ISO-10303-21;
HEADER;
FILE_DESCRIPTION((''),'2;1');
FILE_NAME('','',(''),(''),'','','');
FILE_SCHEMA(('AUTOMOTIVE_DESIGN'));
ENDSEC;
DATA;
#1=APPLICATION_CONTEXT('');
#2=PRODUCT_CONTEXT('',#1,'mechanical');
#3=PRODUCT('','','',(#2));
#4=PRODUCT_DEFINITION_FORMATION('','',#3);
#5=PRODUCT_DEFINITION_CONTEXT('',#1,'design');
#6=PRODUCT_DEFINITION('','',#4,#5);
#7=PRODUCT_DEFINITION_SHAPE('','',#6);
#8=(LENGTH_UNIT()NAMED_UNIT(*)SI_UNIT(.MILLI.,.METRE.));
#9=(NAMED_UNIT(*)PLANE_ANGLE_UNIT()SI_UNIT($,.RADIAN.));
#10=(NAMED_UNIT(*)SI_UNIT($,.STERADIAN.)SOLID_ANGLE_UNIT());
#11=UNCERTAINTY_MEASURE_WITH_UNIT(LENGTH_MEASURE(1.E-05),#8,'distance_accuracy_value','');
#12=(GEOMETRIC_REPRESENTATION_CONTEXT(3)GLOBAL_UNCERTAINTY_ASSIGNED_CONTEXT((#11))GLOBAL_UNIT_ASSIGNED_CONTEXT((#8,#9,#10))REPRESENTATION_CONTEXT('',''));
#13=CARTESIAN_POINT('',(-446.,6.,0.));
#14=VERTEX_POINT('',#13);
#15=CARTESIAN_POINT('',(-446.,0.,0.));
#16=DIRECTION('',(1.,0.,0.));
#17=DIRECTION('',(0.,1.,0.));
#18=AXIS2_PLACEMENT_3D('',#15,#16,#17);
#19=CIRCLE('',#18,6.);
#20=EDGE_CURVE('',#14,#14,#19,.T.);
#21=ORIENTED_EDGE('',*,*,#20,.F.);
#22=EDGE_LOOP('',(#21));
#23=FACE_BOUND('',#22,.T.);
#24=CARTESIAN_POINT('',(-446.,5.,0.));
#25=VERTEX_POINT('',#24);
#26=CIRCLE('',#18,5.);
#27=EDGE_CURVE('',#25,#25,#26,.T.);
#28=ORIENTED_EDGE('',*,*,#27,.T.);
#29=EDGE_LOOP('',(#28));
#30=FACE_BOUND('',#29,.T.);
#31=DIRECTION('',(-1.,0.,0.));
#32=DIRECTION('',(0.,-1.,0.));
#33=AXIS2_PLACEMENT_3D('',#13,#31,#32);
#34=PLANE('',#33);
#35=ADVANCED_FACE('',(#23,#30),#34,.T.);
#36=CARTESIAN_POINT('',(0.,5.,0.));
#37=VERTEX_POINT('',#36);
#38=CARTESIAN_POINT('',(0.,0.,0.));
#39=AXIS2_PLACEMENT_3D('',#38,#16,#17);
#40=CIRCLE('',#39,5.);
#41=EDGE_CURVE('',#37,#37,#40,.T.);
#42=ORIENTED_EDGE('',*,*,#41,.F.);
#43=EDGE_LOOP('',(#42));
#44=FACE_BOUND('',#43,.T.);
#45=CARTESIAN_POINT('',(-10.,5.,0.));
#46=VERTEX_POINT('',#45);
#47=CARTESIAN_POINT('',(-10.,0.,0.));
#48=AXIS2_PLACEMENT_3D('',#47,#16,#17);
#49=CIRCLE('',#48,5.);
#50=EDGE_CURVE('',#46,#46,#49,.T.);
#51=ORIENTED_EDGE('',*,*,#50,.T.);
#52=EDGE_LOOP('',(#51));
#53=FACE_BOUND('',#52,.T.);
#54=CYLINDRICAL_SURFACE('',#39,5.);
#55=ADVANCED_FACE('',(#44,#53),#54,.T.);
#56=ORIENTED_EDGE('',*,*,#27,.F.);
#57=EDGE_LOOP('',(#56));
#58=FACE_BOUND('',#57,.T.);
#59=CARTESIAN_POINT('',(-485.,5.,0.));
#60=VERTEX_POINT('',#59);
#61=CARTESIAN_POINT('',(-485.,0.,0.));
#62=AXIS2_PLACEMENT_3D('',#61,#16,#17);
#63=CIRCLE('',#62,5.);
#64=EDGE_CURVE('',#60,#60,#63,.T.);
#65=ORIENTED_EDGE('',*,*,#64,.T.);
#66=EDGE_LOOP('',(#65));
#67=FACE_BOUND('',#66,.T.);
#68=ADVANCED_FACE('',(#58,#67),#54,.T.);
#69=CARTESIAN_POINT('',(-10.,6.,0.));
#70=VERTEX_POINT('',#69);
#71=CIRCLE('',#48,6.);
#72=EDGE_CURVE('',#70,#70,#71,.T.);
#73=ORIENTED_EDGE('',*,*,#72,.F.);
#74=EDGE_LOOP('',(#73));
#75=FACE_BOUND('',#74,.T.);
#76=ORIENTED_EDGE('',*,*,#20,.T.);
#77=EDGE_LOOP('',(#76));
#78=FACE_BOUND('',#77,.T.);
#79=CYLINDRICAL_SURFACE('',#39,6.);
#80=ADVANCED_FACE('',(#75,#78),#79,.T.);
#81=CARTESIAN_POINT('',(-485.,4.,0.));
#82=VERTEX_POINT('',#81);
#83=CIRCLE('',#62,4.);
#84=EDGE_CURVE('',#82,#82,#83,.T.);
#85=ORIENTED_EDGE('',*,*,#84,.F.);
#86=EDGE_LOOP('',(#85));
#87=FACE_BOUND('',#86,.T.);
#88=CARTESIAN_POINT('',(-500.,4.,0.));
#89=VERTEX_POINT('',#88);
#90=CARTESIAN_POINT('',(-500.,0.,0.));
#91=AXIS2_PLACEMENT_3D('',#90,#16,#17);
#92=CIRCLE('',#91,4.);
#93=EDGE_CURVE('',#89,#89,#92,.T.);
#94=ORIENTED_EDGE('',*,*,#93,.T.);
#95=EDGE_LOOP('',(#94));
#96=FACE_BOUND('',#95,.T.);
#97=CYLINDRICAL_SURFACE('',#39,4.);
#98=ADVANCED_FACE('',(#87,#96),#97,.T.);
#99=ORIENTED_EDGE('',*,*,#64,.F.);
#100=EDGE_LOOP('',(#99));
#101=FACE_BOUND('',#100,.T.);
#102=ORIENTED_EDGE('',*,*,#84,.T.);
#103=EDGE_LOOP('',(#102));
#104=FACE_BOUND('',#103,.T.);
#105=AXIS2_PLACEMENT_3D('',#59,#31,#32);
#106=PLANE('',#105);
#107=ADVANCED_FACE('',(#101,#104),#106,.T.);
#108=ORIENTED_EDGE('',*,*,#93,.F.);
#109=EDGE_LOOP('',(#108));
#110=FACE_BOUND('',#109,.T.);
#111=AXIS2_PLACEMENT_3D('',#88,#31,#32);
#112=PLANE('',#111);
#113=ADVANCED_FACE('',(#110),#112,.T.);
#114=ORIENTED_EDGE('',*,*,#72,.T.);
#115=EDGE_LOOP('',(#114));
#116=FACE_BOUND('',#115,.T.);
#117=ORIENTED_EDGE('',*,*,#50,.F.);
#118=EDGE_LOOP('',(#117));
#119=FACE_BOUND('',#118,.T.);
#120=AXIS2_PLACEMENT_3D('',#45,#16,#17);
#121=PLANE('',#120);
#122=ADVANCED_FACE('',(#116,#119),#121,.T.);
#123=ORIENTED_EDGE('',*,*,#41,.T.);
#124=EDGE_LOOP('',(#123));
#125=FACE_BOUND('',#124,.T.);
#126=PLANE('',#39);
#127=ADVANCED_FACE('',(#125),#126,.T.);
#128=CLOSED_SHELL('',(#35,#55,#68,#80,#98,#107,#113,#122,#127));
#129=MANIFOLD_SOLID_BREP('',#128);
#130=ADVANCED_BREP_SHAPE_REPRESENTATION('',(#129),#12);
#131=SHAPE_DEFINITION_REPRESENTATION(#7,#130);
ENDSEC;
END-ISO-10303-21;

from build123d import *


with BuildPart() as part:
    # Эскиз1 → Повернуть1 (revolve)
    with BuildSketch(Plane.XY):
        Polygon((0, 0), (0, 5), (-10, 5), (-10, 6), (-446, 6), (-446, 5), (-485, 5), (-485, 4), (-500, 4), (-500, 0), align=None)
    revolve(axis=Axis((0, 0, 0), (-1, 0, 0)))


solid = part.part
